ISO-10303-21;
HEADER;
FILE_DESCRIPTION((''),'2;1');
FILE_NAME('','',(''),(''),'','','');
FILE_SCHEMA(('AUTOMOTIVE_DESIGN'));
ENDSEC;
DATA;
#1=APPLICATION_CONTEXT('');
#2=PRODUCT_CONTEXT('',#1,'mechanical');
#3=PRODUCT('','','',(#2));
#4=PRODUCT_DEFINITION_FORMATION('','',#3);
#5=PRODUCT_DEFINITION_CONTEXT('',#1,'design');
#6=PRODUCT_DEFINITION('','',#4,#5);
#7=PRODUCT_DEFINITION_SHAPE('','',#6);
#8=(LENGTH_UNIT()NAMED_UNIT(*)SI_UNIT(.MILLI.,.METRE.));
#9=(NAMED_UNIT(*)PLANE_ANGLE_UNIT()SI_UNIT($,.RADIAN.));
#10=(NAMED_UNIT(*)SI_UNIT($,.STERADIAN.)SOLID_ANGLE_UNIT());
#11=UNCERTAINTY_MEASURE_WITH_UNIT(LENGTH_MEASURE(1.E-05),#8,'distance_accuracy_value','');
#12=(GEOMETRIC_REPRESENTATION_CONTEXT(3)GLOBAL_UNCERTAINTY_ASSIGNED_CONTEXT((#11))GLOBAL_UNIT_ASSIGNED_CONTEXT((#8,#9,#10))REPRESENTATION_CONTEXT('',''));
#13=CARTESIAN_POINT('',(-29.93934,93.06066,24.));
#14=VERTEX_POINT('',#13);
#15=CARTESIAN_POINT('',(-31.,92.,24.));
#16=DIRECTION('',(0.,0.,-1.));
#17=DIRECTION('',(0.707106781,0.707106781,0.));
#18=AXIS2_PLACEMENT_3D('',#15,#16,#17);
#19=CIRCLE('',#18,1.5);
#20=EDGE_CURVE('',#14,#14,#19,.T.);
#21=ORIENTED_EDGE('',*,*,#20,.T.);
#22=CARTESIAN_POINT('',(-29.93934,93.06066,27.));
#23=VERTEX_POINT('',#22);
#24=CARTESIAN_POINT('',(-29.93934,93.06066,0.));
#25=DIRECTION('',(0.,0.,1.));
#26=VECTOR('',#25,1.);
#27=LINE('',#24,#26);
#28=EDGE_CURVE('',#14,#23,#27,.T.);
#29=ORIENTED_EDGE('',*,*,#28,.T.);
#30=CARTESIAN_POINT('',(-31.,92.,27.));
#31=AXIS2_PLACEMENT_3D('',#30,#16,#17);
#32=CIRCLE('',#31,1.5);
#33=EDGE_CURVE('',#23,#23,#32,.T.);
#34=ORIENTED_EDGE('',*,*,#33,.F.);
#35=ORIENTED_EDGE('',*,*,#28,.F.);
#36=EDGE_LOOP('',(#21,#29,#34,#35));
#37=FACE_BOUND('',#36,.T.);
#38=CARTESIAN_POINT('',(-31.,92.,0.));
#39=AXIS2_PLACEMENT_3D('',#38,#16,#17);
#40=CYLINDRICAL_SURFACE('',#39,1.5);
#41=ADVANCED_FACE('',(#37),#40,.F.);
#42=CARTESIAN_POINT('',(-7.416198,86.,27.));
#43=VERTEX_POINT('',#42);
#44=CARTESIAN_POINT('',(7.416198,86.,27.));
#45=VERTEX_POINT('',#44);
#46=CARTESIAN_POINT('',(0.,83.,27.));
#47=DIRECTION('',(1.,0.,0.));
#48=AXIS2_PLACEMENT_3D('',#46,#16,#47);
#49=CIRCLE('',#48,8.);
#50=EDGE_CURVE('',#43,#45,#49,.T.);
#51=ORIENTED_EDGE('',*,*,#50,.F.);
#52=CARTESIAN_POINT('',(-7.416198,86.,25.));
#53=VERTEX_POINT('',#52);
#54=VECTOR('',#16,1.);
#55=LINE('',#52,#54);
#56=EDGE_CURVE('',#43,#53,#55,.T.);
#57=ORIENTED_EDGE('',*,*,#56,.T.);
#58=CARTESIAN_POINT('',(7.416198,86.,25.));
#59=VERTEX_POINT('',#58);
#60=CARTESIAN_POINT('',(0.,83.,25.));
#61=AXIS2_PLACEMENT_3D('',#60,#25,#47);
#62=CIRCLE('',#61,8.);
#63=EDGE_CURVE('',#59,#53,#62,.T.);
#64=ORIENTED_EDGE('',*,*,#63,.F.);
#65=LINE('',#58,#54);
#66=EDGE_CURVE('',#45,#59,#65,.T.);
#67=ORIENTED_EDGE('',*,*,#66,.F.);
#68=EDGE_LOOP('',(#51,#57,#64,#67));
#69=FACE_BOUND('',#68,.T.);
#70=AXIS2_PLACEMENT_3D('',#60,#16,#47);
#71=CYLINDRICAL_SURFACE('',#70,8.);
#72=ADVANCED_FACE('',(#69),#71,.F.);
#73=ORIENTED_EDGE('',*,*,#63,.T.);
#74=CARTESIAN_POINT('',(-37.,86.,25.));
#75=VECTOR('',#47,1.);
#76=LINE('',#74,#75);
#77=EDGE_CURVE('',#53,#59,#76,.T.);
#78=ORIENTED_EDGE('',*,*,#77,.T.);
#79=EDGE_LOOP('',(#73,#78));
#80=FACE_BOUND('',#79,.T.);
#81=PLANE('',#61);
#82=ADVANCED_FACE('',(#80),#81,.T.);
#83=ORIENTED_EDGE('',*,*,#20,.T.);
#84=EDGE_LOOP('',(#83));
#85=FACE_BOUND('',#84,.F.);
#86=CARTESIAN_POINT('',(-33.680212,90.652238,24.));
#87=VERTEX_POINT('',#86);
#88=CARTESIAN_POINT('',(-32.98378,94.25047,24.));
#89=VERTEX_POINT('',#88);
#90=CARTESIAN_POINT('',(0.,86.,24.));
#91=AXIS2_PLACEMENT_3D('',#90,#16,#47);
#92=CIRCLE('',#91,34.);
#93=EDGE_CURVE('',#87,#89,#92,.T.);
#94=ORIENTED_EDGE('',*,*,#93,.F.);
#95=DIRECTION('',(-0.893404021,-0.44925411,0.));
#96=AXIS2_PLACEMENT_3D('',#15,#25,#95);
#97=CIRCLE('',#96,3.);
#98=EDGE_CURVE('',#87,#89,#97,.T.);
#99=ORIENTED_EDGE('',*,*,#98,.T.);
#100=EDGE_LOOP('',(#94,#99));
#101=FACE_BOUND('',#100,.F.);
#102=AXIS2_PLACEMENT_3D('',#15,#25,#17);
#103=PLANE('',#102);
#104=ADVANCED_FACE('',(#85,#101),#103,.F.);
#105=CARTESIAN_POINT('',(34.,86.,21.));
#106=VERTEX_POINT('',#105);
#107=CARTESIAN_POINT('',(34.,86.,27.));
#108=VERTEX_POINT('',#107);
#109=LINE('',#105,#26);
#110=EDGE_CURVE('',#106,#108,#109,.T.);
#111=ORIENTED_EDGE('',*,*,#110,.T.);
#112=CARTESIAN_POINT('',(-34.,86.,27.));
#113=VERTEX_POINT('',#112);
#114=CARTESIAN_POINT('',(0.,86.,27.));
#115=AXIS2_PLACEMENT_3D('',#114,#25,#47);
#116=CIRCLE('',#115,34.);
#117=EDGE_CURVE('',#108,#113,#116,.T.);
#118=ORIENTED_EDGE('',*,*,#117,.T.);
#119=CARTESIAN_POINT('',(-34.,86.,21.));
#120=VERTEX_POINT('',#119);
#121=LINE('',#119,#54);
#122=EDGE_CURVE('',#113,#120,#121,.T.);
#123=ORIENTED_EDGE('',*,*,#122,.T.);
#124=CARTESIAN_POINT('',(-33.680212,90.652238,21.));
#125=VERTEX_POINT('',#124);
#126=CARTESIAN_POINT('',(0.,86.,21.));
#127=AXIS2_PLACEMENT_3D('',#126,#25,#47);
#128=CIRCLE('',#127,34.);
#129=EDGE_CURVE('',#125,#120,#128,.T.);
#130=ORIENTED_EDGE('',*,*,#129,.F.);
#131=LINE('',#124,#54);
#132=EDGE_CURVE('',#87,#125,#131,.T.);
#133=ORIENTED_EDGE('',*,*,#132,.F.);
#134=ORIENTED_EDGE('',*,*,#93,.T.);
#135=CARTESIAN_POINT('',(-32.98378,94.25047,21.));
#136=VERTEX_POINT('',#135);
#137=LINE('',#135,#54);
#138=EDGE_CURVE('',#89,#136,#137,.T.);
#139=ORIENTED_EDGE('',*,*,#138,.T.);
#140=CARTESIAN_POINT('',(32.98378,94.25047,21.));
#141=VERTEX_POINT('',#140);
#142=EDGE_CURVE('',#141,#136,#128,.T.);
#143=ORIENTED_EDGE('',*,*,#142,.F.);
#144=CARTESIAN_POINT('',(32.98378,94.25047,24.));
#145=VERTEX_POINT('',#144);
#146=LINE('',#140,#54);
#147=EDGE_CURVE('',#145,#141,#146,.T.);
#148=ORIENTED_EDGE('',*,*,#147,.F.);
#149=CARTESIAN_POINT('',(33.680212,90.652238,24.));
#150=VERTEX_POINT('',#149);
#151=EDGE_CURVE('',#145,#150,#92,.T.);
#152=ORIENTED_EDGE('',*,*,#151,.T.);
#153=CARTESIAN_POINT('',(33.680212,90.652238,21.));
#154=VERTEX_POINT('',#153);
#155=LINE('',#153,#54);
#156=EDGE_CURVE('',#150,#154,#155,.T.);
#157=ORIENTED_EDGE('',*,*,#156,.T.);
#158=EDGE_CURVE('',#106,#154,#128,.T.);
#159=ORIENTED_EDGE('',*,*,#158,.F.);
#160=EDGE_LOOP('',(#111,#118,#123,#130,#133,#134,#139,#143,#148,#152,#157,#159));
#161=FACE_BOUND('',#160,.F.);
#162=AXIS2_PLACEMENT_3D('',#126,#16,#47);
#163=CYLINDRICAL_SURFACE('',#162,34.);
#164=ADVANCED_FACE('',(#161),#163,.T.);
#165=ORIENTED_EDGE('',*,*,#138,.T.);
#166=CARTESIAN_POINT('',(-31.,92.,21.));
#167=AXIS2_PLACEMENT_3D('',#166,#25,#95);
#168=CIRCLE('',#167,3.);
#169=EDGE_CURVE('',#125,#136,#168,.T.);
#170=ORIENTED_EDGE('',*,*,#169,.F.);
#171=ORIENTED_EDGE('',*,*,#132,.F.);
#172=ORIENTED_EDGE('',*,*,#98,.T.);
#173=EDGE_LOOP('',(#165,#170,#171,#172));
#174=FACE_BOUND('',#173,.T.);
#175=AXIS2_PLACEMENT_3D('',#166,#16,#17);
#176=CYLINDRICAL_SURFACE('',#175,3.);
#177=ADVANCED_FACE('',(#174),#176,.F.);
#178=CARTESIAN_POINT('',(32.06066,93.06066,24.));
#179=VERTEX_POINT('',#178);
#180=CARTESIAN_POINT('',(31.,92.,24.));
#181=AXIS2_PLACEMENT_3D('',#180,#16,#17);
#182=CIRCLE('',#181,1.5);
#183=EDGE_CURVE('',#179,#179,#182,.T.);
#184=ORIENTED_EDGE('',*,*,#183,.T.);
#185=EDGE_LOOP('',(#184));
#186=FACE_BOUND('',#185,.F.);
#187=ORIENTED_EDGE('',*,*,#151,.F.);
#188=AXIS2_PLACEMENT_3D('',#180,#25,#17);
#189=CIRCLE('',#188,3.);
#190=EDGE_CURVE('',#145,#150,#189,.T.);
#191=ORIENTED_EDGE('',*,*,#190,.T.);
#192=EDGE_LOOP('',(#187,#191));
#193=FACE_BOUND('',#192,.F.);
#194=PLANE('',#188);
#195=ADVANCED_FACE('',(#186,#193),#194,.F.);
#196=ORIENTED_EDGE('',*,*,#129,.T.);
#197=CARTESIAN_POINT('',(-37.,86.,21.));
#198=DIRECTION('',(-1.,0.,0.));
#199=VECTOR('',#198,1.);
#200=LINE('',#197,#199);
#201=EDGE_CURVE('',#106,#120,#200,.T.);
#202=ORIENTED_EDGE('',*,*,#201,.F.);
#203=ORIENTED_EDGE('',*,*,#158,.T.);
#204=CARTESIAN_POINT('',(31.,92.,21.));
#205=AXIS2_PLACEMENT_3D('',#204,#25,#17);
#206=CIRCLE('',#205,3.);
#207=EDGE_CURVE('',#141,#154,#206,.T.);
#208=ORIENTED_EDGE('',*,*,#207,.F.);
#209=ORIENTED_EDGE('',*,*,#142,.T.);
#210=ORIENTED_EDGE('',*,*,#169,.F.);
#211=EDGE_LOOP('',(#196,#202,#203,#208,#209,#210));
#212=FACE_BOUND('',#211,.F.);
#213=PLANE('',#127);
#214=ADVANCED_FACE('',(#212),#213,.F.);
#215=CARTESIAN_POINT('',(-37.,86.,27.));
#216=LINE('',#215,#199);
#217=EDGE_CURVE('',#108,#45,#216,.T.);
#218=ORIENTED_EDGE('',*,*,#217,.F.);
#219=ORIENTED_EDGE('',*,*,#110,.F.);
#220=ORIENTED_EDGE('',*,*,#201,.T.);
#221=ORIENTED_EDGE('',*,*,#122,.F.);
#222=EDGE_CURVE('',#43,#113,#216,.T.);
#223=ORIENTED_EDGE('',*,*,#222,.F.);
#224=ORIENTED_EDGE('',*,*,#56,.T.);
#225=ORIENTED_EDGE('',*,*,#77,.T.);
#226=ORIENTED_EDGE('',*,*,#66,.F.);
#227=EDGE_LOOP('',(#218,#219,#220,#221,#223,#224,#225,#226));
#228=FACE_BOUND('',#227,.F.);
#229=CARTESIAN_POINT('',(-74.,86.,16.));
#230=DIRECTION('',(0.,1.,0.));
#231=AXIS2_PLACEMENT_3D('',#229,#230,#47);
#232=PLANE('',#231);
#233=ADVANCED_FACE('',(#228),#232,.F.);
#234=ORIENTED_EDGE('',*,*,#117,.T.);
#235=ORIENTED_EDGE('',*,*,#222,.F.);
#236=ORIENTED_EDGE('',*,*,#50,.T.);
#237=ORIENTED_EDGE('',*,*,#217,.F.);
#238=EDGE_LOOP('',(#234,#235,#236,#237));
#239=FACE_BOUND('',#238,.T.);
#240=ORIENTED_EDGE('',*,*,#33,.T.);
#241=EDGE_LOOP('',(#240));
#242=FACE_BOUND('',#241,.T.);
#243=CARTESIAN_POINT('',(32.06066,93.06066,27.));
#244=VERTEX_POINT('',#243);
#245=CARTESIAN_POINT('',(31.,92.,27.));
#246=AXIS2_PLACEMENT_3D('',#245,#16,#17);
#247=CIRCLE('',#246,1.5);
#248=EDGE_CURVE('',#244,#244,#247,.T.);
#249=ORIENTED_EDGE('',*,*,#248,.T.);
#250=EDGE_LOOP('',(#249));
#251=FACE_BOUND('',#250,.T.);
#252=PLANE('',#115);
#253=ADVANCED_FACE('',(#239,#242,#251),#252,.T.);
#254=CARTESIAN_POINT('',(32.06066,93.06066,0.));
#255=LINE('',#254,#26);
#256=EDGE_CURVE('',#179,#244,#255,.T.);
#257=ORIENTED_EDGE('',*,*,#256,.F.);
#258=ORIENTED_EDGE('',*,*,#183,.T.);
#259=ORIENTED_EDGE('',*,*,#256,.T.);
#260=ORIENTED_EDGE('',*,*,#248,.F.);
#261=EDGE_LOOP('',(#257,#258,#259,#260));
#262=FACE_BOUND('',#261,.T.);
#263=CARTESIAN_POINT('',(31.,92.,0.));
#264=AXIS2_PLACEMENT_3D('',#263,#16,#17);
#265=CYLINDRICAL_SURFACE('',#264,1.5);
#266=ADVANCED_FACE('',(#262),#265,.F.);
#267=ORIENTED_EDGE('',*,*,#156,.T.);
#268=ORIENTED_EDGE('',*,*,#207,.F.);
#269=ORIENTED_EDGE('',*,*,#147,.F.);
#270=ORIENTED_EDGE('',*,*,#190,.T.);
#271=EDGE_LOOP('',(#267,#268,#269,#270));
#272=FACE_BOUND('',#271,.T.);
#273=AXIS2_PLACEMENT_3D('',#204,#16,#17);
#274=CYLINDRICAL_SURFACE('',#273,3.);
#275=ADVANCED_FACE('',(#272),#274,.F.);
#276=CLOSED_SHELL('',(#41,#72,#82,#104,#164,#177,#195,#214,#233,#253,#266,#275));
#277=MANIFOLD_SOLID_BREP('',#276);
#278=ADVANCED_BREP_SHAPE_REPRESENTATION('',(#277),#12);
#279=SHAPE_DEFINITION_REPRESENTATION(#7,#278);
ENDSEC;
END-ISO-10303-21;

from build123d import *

# Parameters (mm, degrees)
CYLINDER687_R               = 8
CYLINDER687_DEPTH           = 6
CYLINDER688_R               = 3
CYLINDER688_DEPTH           = 3
CYLINDER688_PLACEMENT_ANGLE = 45
CYLINDER668_R               = 3
CYLINDER668_DEPTH           = 3
CYLINDER668_PLACEMENT_ANGLE = 45
CYLINDER676_R               = 3
CYLINDER676_DEPTH           = 3
CYLINDER676_PLACEMENT_ANGLE = 45
CYLINDER683_R               = 3
CYLINDER683_DEPTH           = 3
CYLINDER683_PLACEMENT_ANGLE = 45
CYLINDER681_R               = 1.5
CYLINDER681_DEPTH           = 50
CYLINDER681_PLACEMENT_ANGLE = 45
CYLINDER686_R               = 1.5
CYLINDER686_DEPTH           = 50
CYLINDER686_PLACEMENT_ANGLE = 45
CYLINDER685_R               = 1.5
CYLINDER685_DEPTH           = 50
CYLINDER685_PLACEMENT_ANGLE = 45
CYLINDER675_R               = 1.5
CYLINDER675_DEPTH           = 50
CYLINDER675_PLACEMENT_ANGLE = 45
BOX250_W                    = 148
BOX250_H                    = 40
BOX250_DEPTH                = 40
CYLINDER671_R               = 34
CYLINDER671_DEPTH           = 6


with BuildPart() as v_lec687:
    # Cylinder687 → Cylinder687 (new body)
    with BuildSketch(Plane(origin=(0, 83, 25), x_dir=(1, 0, 0), z_dir=(0, 0, 1))):
        Circle(CYLINDER687_R)
    extrude(amount=CYLINDER687_DEPTH)


with BuildPart() as v_lec688:
    # Cylinder688 → Cylinder688 (new body)
    with BuildSketch(Plane.XY):
        Circle(CYLINDER688_R)
    extrude(amount=CYLINDER688_DEPTH)


with BuildPart() as v_lec688_1:
    # Cylinder688 placement: moved
    add(v_lec688.part.moved(Location((-31, 92, 21))).rotate(Axis((-31, 92, 21), (0, 0, 1)), CYLINDER688_PLACEMENT_ANGLE))


with BuildPart() as v_lec668:
    # Cylinder668 → Cylinder668 (new body)
    with BuildSketch(Plane.XY):
        Circle(CYLINDER668_R)
    extrude(amount=CYLINDER668_DEPTH)


with BuildPart() as v_lec668_1:
    # Cylinder668 placement: moved
    add(v_lec668.part.moved(Location((31, 110, 0))).rotate(Axis((31, 110, 0), (0, 0, 1)), CYLINDER668_PLACEMENT_ANGLE))


with BuildPart() as v_lec676:
    # Cylinder676 → Cylinder676 (new body)
    with BuildSketch(Plane.XY):
        Circle(CYLINDER676_R)
    extrude(amount=CYLINDER676_DEPTH)


with BuildPart() as v_lec676_1:
    # Cylinder676 placement: moved
    add(v_lec676.part.moved(Location((31, 92, 21))).rotate(Axis((31, 92, 21), (0, 0, 1)), CYLINDER676_PLACEMENT_ANGLE))


with BuildPart() as compound400:
    # Cylinder683 → Cylinder683 (new body)
    with BuildSketch(Plane.XY):
        Circle(CYLINDER683_R)
    extrude(amount=CYLINDER683_DEPTH)


with BuildPart() as compound400_1:
    # Cylinder683 placement: moved
    add(compound400.part.moved(Location((-31, 110, 0))).rotate(Axis((-31, 110, 0), (0, 0, 1)), CYLINDER683_PLACEMENT_ANGLE))

    # Compound400: union Válec688, Válec668, Válec676
    add(v_lec688_1.part)
    add(v_lec668_1.part)
    add(v_lec676_1.part)


with BuildPart() as v_lec681:
    # Cylinder681 → Cylinder681 (new body)
    with BuildSketch(Plane.XY):
        Circle(CYLINDER681_R)
    extrude(amount=CYLINDER681_DEPTH)


with BuildPart() as v_lec681_1:
    # Cylinder681 placement: moved
    add(v_lec681.part.moved(Location((-31, 92, 0))).rotate(Axis((-31, 92, 0), (0, 0, 1)), CYLINDER681_PLACEMENT_ANGLE))


with BuildPart() as v_lec686:
    # Cylinder686 → Cylinder686 (new body)
    with BuildSketch(Plane.XY):
        Circle(CYLINDER686_R)
    extrude(amount=CYLINDER686_DEPTH)


with BuildPart() as v_lec686_1:
    # Cylinder686 placement: moved
    add(v_lec686.part.moved(Location((31, 110, 0))).rotate(Axis((31, 110, 0), (0, 0, 1)), CYLINDER686_PLACEMENT_ANGLE))


with BuildPart() as v_lec685:
    # Cylinder685 → Cylinder685 (new body)
    with BuildSketch(Plane.XY):
        Circle(CYLINDER685_R)
    extrude(amount=CYLINDER685_DEPTH)


with BuildPart() as v_lec685_1:
    # Cylinder685 placement: moved
    add(v_lec685.part.moved(Location((31, 92, 0))).rotate(Axis((31, 92, 0), (0, 0, 1)), CYLINDER685_PLACEMENT_ANGLE))


with BuildPart() as compound396:
    # Cylinder675 → Cylinder675 (new body)
    with BuildSketch(Plane.XY):
        Circle(CYLINDER675_R)
    extrude(amount=CYLINDER675_DEPTH)


with BuildPart() as compound396_1:
    # Cylinder675 placement: moved
    add(compound396.part.moved(Location((-31, 110, 0))).rotate(Axis((-31, 110, 0), (0, 0, 1)), CYLINDER675_PLACEMENT_ANGLE))

    # Compound396: union Válec681, Válec686, Válec685
    add(v_lec681_1.part)
    add(v_lec686_1.part)
    add(v_lec685_1.part)


with BuildPart() as krychle250:
    # Box250 → Box250 (new body)
    with BuildSketch(Plane(origin=(-74, 46, 16), x_dir=(1, 0, 0), z_dir=(0, 0, 1))):
        with Locations((74, 20)):
            Rectangle(BOX250_W, BOX250_H)
    extrude(amount=BOX250_DEPTH)


with BuildPart() as cut274:
    # Cylinder671 → Cylinder671 (new body)
    with BuildSketch(Plane(origin=(0, 86, 21), x_dir=(1, 0, 0), z_dir=(0, 0, 1))):
        Circle(CYLINDER671_R)
    extrude(amount=CYLINDER671_DEPTH)

    # Cut271: cut Krychle250
    add(krychle250.part, mode=Mode.SUBTRACT)

    # Cut277: cut Compound396
    add(compound396_1.part, mode=Mode.SUBTRACT)

    # Cut275: cut Compound400
    add(compound400_1.part, mode=Mode.SUBTRACT)

    # Cut274: cut Válec687
    add(v_lec687.part, mode=Mode.SUBTRACT)


solid = cut274.part
